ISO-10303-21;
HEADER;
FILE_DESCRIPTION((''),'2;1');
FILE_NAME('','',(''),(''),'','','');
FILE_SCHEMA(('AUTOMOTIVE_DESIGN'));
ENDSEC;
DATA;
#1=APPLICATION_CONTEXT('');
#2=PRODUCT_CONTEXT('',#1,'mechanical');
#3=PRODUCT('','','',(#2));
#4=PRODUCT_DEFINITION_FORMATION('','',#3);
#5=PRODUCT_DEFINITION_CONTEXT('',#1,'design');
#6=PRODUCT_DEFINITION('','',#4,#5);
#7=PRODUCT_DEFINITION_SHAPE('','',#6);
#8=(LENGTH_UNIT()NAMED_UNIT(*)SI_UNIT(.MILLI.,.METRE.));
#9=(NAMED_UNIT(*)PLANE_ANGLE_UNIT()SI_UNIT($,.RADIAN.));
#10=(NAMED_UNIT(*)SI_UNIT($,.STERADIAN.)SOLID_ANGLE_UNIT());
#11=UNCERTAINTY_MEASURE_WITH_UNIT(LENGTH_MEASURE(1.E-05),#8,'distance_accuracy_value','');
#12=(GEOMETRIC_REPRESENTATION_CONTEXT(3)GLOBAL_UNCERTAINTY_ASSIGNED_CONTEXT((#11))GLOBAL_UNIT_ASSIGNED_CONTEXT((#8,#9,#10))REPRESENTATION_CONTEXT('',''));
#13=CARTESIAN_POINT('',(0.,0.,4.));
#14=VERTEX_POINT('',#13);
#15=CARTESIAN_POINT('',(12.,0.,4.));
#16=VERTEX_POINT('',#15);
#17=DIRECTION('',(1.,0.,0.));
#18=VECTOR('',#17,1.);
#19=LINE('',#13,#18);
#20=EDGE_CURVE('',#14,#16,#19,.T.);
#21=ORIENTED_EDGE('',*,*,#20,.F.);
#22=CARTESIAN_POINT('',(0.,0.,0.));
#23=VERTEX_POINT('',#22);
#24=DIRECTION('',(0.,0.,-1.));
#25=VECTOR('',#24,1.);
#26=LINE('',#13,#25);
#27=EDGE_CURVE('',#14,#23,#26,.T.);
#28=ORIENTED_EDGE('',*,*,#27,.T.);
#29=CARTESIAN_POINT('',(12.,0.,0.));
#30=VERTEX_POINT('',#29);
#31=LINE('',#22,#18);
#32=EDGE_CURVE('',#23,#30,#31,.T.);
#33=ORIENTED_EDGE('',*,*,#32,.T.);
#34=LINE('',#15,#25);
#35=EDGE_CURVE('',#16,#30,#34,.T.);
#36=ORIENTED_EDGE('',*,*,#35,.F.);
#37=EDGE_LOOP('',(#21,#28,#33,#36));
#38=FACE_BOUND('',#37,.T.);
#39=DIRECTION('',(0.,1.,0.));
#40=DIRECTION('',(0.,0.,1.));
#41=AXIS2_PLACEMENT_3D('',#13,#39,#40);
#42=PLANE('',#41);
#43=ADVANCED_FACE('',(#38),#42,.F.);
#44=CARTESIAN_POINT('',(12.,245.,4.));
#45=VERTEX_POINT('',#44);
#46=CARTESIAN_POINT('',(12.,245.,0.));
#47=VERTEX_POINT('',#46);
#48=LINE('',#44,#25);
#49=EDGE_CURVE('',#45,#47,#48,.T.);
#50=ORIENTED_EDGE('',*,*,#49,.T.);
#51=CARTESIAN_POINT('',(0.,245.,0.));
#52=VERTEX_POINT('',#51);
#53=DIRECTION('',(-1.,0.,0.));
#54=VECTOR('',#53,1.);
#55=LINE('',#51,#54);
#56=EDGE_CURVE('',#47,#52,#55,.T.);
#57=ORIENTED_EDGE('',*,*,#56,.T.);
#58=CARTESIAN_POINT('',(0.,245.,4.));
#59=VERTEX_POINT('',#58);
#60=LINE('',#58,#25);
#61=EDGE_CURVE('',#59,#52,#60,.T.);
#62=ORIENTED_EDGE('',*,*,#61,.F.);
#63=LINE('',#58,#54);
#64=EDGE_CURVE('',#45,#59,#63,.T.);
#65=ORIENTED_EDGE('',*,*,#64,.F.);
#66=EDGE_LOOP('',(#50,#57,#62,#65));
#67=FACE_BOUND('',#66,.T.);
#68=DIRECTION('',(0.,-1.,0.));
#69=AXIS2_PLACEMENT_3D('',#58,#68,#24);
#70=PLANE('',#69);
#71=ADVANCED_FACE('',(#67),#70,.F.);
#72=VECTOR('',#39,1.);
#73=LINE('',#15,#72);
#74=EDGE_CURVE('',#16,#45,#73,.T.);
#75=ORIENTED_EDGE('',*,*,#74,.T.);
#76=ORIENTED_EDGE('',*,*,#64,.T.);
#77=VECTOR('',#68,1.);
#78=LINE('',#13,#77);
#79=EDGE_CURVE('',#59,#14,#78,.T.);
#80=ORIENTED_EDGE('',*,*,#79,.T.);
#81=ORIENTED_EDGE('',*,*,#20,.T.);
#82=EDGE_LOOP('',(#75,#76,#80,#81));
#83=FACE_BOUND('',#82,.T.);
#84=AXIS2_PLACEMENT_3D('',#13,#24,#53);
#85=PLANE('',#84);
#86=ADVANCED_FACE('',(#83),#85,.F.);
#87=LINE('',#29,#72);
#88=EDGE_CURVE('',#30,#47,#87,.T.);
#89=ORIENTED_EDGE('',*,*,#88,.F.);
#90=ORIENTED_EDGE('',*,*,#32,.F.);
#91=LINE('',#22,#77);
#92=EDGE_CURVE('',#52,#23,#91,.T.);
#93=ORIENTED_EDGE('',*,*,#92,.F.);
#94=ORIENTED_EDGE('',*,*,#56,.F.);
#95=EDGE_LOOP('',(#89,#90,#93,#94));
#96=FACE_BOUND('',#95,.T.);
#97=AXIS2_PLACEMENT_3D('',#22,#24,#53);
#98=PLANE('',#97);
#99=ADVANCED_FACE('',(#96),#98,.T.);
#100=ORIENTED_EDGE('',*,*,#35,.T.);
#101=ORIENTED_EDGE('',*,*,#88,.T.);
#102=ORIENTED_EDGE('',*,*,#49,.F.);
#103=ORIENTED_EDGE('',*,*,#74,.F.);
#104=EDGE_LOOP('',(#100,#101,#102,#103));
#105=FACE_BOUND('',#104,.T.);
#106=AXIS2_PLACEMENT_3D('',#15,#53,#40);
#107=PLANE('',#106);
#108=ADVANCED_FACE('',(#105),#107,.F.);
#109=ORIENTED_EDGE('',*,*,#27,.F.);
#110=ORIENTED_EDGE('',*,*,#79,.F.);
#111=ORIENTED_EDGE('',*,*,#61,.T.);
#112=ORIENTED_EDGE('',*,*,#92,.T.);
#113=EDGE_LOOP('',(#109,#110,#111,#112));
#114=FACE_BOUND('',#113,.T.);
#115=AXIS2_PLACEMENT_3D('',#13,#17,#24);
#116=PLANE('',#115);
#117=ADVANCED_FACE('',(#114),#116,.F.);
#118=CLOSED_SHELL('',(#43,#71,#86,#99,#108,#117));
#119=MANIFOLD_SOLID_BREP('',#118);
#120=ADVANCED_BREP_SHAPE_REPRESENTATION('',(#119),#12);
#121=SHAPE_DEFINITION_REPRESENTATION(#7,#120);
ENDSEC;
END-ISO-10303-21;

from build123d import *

# Parameters (mm, degrees)
SKETCH1_W     = 12
SKETCH1_H     = 245
PROFILE_DEPTH = 4


with BuildPart() as part:
    # Sketch1 → Profile (new body)
    with BuildSketch(Plane.XY):
        with Locations((6, 122.5)):
            Rectangle(SKETCH1_W, SKETCH1_H)
    extrude(amount=PROFILE_DEPTH)


solid = part.part
